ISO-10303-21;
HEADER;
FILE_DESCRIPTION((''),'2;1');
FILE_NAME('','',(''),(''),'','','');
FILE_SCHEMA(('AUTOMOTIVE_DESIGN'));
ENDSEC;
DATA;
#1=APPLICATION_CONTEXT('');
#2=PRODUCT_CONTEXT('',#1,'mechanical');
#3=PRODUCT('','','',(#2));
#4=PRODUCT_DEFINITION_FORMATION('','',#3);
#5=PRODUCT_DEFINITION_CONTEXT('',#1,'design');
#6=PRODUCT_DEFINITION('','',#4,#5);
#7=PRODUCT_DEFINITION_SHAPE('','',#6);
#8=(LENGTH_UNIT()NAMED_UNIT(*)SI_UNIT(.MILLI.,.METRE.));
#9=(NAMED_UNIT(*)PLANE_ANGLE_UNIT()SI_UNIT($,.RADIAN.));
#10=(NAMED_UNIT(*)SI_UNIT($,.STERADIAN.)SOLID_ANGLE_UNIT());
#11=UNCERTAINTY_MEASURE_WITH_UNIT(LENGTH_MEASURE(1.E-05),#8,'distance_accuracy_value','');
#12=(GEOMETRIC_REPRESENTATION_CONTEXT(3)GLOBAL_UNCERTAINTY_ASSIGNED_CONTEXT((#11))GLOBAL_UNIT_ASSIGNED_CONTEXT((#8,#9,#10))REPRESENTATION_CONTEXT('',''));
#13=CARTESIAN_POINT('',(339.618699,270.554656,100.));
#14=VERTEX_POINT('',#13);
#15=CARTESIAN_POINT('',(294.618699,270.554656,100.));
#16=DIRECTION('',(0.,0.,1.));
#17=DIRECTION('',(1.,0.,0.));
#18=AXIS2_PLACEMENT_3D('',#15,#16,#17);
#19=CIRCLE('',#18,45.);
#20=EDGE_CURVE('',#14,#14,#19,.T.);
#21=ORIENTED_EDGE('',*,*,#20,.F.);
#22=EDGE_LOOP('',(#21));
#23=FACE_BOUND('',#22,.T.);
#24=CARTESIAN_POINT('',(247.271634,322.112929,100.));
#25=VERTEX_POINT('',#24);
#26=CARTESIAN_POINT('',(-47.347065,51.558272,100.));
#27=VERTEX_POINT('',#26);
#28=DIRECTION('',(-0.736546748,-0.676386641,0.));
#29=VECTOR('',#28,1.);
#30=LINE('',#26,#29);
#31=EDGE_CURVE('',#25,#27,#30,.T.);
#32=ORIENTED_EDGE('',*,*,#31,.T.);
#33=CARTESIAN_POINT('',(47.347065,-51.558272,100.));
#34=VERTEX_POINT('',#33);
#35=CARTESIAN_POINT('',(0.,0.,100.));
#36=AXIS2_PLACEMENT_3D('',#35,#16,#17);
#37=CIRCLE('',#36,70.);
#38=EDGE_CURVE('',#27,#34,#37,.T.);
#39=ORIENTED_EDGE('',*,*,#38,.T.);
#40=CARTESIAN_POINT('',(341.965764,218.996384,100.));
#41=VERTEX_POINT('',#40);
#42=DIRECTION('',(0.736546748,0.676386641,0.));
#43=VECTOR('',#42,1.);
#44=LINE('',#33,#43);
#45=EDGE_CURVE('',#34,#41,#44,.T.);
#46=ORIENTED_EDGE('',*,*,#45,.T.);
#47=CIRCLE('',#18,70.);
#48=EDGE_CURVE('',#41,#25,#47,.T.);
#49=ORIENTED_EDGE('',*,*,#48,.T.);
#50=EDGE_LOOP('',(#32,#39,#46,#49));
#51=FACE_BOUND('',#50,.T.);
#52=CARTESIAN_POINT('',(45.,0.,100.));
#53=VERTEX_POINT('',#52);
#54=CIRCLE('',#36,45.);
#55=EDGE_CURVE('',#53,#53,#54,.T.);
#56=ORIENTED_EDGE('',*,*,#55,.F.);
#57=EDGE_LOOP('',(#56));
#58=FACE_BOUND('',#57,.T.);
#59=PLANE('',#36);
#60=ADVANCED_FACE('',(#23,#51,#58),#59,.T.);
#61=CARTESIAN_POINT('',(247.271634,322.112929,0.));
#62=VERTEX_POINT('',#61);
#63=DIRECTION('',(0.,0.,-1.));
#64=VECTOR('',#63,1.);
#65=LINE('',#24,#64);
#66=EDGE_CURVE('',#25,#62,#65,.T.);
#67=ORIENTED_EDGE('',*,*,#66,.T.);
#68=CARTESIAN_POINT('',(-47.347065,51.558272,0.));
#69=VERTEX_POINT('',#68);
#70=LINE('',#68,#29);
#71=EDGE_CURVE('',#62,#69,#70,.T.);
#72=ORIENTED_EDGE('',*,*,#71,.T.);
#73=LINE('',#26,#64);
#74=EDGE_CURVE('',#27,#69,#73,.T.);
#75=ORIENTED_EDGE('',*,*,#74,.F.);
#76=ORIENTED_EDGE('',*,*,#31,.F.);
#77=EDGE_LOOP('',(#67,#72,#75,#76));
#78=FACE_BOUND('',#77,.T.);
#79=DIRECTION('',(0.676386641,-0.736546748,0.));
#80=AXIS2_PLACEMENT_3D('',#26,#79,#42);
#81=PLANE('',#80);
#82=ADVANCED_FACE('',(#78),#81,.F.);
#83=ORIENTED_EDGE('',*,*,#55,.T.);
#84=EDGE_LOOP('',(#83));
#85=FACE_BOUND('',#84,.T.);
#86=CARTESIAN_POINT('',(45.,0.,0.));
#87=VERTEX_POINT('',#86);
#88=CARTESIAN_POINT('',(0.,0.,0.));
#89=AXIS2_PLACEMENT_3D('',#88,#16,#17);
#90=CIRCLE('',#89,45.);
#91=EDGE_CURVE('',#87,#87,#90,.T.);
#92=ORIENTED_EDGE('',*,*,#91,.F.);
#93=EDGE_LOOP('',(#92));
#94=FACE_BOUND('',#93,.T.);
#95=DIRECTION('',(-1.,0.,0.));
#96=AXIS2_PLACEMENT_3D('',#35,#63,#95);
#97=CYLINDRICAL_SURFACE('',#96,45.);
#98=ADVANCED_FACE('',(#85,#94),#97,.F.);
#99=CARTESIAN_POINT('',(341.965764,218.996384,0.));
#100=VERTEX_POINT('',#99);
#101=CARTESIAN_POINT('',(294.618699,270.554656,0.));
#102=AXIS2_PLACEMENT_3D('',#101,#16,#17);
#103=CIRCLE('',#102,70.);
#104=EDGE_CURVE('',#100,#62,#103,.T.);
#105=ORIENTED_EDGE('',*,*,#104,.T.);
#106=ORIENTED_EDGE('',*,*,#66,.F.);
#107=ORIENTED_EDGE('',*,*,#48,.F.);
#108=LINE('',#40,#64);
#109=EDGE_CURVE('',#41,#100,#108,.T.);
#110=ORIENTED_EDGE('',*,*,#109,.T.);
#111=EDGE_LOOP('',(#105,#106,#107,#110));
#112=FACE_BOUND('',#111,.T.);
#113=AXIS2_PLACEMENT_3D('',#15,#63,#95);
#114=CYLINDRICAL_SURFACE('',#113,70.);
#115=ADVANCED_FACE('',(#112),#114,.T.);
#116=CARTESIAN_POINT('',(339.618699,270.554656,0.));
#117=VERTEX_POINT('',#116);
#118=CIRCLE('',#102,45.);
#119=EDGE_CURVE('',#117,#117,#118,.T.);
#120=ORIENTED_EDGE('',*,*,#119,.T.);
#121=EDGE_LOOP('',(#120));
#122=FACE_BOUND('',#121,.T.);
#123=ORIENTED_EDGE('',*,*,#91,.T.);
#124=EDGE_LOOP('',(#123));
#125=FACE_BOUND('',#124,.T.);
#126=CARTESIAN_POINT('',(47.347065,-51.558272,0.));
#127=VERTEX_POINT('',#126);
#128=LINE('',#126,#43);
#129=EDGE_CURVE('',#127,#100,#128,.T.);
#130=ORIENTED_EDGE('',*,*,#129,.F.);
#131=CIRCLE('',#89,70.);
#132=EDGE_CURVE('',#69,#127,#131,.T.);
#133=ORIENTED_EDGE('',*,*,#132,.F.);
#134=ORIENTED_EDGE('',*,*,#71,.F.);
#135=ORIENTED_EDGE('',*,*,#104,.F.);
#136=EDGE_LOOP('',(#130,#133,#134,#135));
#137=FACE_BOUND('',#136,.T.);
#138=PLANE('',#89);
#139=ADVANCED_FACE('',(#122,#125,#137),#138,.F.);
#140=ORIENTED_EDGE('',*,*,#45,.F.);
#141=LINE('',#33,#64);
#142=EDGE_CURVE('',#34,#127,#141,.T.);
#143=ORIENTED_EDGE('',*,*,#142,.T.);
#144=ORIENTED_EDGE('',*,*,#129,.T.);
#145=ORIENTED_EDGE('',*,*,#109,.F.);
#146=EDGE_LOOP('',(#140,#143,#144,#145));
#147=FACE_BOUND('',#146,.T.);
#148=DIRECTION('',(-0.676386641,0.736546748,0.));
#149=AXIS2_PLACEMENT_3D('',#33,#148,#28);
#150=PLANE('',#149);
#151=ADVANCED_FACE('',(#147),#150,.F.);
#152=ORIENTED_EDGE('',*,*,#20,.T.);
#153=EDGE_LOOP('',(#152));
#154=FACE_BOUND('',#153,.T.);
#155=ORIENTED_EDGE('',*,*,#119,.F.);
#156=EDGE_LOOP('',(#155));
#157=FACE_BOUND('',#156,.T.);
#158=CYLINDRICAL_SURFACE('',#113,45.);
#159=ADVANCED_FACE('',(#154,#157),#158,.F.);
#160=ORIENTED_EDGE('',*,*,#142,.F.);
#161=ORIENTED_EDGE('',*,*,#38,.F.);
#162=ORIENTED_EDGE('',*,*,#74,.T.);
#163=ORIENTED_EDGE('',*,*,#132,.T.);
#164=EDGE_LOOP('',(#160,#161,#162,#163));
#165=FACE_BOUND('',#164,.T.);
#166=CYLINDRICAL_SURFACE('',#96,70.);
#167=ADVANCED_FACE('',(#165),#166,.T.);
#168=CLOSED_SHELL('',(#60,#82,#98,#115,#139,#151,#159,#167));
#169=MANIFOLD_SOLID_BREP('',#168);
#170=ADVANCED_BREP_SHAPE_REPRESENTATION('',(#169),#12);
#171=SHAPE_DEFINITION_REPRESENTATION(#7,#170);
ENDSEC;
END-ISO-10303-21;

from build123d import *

# Parameters (mm, degrees)
SKETCH1_R           = 45
BOSS_EXTRUDE1_DEPTH = 100


with BuildPart() as part:
    # Sketch1 → Boss-Extrude1 (new body)
    with BuildSketch(Plane.XY):
        with BuildLine():
            Line((-47.347064855, 51.558272368), (247.271634392, 322.112928684))
            ThreePointArc((247.271634392, 322.112928684), (346.176971615, 317.901721171), (341.965764102, 218.996383947))
            Line((341.965764102, 218.996383947), (47.347064855, -51.558272368))
            ThreePointArc((47.347064855, -51.558272368), (-51.558272368, -47.347064855), (-47.347064855, 51.558272368))
        make_face()
        Circle(SKETCH1_R, mode=Mode.SUBTRACT)
        with Locations((294.618699247, 270.554656316)):
            Circle(SKETCH1_R, mode=Mode.SUBTRACT)
    extrude(amount=BOSS_EXTRUDE1_DEPTH)


solid = part.part
